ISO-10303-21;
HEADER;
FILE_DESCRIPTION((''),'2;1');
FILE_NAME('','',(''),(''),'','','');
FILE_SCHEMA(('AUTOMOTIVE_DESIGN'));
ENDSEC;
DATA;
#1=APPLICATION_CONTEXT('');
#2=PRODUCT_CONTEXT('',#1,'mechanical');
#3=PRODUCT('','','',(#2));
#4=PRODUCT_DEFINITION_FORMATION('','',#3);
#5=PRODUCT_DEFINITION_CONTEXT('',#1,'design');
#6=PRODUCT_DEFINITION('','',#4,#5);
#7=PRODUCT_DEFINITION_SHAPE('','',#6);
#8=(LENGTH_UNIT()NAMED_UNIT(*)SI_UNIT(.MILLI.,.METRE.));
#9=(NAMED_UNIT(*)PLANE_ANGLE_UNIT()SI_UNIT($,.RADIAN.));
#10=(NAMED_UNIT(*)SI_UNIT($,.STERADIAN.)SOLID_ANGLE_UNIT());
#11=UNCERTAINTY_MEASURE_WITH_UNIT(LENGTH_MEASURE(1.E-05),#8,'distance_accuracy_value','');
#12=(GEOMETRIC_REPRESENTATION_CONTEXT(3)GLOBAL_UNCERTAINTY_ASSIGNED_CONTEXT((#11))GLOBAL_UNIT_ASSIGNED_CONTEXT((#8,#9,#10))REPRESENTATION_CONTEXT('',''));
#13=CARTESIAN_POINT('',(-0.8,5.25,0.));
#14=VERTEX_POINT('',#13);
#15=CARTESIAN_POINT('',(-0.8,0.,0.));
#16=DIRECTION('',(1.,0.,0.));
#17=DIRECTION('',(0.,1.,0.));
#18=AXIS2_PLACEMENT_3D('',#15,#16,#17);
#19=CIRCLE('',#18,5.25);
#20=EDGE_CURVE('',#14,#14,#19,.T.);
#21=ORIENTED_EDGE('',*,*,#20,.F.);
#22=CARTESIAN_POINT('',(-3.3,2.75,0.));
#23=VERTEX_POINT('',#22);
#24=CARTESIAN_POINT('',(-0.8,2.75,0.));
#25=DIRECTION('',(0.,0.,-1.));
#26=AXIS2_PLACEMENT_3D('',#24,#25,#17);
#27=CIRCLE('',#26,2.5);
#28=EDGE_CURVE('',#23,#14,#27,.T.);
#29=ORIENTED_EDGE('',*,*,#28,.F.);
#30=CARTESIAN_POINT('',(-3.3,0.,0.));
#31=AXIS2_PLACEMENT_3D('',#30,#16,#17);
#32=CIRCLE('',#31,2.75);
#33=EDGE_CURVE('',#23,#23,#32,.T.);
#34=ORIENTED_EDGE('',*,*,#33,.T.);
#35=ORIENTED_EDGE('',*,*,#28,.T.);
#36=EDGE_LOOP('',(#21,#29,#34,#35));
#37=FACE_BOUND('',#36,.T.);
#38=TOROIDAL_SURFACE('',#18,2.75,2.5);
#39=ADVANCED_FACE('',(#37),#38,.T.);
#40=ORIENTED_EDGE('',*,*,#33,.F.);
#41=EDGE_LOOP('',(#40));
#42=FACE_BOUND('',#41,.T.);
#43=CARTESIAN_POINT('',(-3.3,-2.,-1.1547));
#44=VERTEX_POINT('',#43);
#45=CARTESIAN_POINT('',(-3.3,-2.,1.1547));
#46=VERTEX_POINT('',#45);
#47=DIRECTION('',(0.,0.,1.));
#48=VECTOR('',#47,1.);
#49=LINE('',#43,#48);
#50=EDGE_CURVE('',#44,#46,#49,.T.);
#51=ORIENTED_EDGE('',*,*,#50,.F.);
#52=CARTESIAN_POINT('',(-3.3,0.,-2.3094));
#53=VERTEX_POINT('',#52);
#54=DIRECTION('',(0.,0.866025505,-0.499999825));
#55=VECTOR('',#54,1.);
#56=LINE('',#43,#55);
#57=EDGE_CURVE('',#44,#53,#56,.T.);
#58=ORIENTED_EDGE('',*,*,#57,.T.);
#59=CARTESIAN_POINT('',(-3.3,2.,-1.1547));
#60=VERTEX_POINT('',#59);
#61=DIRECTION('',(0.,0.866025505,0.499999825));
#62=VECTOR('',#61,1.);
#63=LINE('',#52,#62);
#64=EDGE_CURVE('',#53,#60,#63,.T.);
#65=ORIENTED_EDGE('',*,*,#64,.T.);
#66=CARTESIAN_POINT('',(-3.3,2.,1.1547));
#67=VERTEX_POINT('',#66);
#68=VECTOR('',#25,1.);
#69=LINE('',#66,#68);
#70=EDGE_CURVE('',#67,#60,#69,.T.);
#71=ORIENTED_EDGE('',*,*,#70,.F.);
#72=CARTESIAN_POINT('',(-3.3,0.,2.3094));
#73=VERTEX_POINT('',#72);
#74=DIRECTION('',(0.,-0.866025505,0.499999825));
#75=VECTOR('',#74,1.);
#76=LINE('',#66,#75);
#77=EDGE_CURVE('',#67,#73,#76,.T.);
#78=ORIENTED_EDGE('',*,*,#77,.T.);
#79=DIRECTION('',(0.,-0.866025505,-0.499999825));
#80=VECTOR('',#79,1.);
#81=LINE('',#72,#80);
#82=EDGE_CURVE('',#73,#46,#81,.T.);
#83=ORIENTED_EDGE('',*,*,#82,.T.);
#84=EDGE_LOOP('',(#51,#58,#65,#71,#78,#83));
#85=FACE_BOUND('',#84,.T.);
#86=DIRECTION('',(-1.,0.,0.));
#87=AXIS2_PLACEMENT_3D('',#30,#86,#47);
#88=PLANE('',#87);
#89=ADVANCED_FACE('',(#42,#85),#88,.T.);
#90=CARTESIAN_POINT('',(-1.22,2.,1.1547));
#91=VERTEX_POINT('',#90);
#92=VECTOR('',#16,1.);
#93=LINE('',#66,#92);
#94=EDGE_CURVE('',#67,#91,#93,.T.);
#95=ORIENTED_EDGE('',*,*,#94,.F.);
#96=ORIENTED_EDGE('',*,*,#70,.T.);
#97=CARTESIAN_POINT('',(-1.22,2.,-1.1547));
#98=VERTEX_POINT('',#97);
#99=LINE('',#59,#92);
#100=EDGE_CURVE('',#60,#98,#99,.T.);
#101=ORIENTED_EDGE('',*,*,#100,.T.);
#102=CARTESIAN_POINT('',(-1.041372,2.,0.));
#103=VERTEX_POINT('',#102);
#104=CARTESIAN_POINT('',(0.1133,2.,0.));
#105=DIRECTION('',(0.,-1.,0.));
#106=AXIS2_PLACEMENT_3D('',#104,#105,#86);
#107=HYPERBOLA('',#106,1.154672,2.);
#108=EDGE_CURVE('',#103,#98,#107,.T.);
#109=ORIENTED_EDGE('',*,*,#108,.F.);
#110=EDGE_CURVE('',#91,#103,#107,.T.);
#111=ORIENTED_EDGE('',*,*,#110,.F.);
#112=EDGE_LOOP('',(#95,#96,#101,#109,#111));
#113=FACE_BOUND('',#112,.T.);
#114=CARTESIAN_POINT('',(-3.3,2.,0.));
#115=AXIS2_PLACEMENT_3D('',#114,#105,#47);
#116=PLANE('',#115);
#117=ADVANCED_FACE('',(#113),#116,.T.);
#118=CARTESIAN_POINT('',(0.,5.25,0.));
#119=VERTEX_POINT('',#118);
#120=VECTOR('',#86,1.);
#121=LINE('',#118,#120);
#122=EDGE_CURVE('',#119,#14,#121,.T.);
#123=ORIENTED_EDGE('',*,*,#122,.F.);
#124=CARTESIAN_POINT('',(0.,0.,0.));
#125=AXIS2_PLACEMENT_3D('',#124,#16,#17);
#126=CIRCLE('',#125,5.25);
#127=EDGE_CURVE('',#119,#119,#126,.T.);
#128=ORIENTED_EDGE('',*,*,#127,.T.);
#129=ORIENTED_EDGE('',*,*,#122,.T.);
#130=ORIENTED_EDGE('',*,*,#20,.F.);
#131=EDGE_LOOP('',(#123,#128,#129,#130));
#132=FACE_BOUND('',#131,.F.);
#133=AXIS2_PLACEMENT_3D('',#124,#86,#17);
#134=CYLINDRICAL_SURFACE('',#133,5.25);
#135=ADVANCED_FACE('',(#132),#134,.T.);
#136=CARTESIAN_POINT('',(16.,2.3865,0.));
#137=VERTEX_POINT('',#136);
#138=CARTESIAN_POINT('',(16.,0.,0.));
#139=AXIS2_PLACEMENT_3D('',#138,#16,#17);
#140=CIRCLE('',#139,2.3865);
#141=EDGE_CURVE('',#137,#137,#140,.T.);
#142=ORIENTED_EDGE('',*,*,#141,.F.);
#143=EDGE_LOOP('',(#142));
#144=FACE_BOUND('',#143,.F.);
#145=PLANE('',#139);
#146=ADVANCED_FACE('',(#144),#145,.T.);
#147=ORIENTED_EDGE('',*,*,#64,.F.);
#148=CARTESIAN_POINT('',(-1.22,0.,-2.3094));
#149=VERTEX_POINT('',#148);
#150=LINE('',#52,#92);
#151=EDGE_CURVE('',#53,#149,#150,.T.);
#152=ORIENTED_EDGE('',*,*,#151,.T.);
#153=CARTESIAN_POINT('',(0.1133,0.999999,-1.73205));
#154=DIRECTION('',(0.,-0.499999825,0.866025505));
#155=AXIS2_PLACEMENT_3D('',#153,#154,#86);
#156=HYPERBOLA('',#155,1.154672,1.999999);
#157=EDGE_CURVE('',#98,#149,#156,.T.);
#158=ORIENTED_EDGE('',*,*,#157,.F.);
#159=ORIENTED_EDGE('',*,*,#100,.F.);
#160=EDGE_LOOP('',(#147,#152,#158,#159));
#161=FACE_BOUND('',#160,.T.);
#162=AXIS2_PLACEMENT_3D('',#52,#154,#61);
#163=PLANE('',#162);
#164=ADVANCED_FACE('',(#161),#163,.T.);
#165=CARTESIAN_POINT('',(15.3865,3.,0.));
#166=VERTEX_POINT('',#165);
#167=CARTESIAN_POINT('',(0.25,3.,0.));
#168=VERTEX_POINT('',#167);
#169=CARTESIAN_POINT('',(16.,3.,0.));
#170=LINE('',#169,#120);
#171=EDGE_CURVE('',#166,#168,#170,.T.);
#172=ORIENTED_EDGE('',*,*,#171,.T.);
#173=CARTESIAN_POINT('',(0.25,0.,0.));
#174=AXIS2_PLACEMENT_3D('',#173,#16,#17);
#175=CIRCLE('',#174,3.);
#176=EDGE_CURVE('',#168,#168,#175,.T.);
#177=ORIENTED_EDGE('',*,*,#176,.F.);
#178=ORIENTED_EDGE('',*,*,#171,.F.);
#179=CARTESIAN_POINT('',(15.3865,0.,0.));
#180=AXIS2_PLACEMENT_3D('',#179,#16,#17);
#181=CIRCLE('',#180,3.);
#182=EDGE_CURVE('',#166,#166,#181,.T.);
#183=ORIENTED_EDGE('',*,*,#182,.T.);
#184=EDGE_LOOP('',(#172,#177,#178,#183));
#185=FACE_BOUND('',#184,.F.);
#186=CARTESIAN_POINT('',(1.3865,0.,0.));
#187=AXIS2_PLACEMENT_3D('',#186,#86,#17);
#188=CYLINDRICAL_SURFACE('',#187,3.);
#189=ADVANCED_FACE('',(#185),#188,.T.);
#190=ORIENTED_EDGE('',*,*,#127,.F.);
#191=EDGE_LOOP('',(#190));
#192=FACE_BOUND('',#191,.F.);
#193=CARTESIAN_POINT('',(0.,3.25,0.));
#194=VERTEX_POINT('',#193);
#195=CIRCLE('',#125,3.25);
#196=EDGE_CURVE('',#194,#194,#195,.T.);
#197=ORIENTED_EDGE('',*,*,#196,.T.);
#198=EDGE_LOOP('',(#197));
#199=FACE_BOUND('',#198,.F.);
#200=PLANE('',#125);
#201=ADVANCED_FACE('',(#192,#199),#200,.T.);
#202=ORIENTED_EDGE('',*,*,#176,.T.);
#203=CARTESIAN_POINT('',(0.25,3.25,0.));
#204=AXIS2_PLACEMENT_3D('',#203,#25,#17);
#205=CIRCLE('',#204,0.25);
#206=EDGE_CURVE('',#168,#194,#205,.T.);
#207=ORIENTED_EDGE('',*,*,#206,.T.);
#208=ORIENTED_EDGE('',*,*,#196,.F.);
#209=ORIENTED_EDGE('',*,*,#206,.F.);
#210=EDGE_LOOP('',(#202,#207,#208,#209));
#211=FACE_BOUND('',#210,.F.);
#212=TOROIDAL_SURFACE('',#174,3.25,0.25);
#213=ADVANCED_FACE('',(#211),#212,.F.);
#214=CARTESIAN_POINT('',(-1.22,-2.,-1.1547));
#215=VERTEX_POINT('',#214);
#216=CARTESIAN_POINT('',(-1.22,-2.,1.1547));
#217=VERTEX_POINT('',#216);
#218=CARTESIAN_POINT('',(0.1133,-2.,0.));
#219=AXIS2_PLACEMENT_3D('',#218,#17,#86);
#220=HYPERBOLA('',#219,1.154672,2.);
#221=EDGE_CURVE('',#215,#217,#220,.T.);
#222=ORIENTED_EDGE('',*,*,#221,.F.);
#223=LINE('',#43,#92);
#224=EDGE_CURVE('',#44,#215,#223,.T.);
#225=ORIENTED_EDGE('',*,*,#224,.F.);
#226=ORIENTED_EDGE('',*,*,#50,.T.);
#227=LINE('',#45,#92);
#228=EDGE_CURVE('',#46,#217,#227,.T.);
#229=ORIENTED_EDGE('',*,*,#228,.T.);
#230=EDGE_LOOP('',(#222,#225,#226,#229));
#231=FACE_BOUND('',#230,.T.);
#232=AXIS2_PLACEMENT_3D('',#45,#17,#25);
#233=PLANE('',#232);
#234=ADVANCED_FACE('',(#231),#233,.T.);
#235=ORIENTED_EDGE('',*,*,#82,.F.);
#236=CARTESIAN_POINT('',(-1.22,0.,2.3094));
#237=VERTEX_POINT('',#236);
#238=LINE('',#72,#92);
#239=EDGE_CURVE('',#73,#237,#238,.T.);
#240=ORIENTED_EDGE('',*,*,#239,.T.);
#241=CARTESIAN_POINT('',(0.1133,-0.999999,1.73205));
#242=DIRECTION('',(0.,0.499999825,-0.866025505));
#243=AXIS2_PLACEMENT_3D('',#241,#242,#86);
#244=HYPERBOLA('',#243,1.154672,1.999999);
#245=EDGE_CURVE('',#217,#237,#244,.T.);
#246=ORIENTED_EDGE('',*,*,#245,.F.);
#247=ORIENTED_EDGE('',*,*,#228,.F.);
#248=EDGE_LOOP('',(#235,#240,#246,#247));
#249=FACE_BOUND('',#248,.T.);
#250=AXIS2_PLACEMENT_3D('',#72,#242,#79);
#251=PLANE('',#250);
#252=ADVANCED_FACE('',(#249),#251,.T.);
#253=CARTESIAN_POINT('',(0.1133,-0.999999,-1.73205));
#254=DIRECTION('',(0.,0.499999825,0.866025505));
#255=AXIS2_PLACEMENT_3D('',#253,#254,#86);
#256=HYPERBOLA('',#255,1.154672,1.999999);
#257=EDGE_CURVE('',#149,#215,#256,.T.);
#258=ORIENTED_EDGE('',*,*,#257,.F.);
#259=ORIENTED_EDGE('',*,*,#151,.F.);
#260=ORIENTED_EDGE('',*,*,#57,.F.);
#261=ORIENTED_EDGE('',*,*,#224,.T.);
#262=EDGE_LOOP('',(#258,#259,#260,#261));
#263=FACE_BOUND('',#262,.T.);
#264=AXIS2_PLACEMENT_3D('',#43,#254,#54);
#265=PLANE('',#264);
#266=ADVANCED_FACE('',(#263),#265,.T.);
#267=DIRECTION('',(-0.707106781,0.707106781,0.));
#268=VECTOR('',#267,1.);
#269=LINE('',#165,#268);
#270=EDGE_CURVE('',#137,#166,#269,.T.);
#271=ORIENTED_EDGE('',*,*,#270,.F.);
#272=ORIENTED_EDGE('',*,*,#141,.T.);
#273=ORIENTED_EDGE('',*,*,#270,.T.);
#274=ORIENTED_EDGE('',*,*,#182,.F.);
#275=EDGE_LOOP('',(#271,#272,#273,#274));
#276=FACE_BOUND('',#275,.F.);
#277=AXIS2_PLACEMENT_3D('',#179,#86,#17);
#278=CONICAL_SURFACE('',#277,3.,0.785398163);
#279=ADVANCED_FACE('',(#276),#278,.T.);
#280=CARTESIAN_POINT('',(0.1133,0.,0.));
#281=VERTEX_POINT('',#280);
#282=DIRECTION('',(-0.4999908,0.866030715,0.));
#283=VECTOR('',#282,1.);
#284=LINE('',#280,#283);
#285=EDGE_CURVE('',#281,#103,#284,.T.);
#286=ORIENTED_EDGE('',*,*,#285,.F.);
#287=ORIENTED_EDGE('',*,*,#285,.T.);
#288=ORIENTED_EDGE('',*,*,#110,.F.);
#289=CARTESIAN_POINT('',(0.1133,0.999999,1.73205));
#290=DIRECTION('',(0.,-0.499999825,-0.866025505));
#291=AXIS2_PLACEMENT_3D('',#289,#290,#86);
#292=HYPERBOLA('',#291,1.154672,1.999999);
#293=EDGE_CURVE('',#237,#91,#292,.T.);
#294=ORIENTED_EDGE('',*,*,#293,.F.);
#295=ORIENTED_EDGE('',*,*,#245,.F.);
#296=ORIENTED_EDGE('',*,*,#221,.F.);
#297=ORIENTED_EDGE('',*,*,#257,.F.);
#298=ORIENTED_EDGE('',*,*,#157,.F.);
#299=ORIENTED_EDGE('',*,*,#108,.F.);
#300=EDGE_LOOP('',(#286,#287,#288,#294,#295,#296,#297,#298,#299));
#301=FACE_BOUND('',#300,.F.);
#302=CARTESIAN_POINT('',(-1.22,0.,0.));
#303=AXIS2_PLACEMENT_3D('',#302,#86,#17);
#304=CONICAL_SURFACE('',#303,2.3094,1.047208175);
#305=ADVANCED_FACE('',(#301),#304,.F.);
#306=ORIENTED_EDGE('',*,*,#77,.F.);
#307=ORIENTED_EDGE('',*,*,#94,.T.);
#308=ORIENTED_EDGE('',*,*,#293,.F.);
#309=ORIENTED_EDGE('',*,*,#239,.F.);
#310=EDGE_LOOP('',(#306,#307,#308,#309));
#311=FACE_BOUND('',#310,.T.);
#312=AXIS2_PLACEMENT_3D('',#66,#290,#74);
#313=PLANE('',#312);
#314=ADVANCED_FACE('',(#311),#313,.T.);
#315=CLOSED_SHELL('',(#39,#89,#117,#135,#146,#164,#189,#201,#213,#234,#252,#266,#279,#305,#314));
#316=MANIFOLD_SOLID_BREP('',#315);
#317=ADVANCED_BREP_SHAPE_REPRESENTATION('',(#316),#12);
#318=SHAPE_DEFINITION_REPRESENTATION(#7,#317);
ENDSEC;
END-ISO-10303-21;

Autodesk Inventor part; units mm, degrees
ref_plane "YZ Plane" through (0, 0, 0) normal (1, 0, 0) x (0, 1, 0)
ref_plane "XZ Plane" through (0, 0, 0) normal (0, 1, 0) x (-1, 0, 0)
sketch "Sketch1" plane through (0, 0, 0) normal (0, 0, 1) x (1, 0, 0)
  line L0 (0.1133, 0) -> (16, 0)
  line L1 (16, 0) -> (16, 3)
  line L2 (16, 3) -> (2, 3)
  line L3 (2, 3) -> (1.3865, 3)
  line L4 (1.3865, 3) -> (0, 3)
  line L5 (0, 3) -> (0, 5.25)
  line L6 (0, 5.25) -> (-3.3, 5.25)
  line L7 (-3.3, 5.25) -> (-3.3, 2.3094)
  line L8 (-3.3, 2.3094) -> (-1.22, 2.3094)
  line L9 (-1.22, 2.3094) -> (0.1133, 0)
  line L10 (-7.16, 0) -> (19.86, 0) projected
  line L11 (0, -1.05) -> (0, 6.3) projected
  line L12 (2, 3) -> (0, 3) construction
  dimension "d0" = 14
  dimension "d1" = 0.6135
  dimension "d2" = 3.3
  dimension "d3" = 2.08
  dimension "d4" = 60
  dimension "d5" = 6
  dimension "d6" = 6
  dimension "d7" = 4.6188
  dimension "d8" = 10.5
  dimension "d19" = 16
revolve "Body" add sketch "Sketch1" angle 360 about axis through (0.1133, 0, 0) along (1, 0, 0) contours L9 L11 L4 L3 L2 L1 L0 | L9 L8 L7 L6 L5 L11
sketch "Sketch2" plane through (-3.3, 0, 0) normal (-1, 0, 0) x (0, 0, 1)
  circle A0 centre (0, 0) radius 2.3094 projected
  line L0 (0, -7.35) -> (0, 7.35) projected
  line L1 (-7.35, 0) -> (7.35, 0) projected
  line L2 (2.3094, 0) -> (1.1547, -2)
  line L3 (1.1547, -2) -> (-1.1547, -2)
  line L4 (-1.1547, -2) -> (-2.3094, 0)
  line L5 (-2.3094, 0) -> (-1.1547, 2)
  line L6 (-1.1547, 2) -> (1.1547, 2)
  line L7 (1.1547, 2) -> (2.3094, 0)
extrude "Slot" add sketch "Sketch2" against normal up to next contours L7 A0 | A0 L2 | L6 L0 A0 | A0 L0 L3 | L0 L6 A0 | A0 L3 L0 | L4 A0 | A0 L5
fillet "Fillet1" radius 2.5 1 edges at (-3.3, -5.25, 0)
thread "Thread" size "M6x1" class "4g6g" standard "ANSI Metric M Profile" length 14
chamfer "Chamfer1" distance 0.6135 distance2 0.6135 1 edges at (16, -3, 0) measured on face at (16, -1.1424, 0.935)
fillet "Fillet2" radius 0.25 1 edges at (0, -3, 0)
ref_plane "Work Plane1" through (30, 0, 0) normal (0, -0.5, 0.866) x (1, 0, 0)
equation "\"d0\" = GEL"
equation "\"d1\" = GAL"
equation "\"d2\" = KOH"
equation "\"d3\" = INTI"
equation "\"d5\" = GD"
equation "\"d6\" = BDM"
equation "\"d7\" = 1.1547 * SW"
equation "\"d8\" = KOD"
equation "\"d19\" = NLG"
equation "\"d16\" = RR"
equation "\"d12\" = GEL"
equation "\"d14\" = -0.5 * SPD + 0.5 * GD"
equation "\"d15\" = GUL"
equation "\"d29\" = R"
equation "\"GD\" = NND"
equation "\"NLG\" = 16"
equation "\"GEL\" = 14"
equation "\"KOD\" = 10.5"
equation "\"KOH\" = 3.3"
equation "\"INTI\" = 2.08"
equation "\"GAL\" = 0.61345 * PTC"
equation "\"GUL\" = 0.61345 * PTC"
equation "\"BDM\" = NND"
equation "\"SW\" = 4"
equation "\"RR\" = 2.5"
equation "\"SPD\" = 4.7731"
equation "\"d28\" = R"
equation "\"R\" = 0.25"
equation "\"TOA\" = 30deg"
equation "\"THREADDIA\" = 6"
equation "\"KOD1\" = KOD - 2 * RR"
equation "\"PTC\" = 1"
equation "\"NND\" = 6"
equation "\"E0\" = 1.155 * SW"
equation "\"GD1\" = THREADDIA - 1.2269 * PTC"
properties part number "ANSI B18.3.4M - M6 x 1 x 16, FHSBHCSM" material "Steel, Mild"
